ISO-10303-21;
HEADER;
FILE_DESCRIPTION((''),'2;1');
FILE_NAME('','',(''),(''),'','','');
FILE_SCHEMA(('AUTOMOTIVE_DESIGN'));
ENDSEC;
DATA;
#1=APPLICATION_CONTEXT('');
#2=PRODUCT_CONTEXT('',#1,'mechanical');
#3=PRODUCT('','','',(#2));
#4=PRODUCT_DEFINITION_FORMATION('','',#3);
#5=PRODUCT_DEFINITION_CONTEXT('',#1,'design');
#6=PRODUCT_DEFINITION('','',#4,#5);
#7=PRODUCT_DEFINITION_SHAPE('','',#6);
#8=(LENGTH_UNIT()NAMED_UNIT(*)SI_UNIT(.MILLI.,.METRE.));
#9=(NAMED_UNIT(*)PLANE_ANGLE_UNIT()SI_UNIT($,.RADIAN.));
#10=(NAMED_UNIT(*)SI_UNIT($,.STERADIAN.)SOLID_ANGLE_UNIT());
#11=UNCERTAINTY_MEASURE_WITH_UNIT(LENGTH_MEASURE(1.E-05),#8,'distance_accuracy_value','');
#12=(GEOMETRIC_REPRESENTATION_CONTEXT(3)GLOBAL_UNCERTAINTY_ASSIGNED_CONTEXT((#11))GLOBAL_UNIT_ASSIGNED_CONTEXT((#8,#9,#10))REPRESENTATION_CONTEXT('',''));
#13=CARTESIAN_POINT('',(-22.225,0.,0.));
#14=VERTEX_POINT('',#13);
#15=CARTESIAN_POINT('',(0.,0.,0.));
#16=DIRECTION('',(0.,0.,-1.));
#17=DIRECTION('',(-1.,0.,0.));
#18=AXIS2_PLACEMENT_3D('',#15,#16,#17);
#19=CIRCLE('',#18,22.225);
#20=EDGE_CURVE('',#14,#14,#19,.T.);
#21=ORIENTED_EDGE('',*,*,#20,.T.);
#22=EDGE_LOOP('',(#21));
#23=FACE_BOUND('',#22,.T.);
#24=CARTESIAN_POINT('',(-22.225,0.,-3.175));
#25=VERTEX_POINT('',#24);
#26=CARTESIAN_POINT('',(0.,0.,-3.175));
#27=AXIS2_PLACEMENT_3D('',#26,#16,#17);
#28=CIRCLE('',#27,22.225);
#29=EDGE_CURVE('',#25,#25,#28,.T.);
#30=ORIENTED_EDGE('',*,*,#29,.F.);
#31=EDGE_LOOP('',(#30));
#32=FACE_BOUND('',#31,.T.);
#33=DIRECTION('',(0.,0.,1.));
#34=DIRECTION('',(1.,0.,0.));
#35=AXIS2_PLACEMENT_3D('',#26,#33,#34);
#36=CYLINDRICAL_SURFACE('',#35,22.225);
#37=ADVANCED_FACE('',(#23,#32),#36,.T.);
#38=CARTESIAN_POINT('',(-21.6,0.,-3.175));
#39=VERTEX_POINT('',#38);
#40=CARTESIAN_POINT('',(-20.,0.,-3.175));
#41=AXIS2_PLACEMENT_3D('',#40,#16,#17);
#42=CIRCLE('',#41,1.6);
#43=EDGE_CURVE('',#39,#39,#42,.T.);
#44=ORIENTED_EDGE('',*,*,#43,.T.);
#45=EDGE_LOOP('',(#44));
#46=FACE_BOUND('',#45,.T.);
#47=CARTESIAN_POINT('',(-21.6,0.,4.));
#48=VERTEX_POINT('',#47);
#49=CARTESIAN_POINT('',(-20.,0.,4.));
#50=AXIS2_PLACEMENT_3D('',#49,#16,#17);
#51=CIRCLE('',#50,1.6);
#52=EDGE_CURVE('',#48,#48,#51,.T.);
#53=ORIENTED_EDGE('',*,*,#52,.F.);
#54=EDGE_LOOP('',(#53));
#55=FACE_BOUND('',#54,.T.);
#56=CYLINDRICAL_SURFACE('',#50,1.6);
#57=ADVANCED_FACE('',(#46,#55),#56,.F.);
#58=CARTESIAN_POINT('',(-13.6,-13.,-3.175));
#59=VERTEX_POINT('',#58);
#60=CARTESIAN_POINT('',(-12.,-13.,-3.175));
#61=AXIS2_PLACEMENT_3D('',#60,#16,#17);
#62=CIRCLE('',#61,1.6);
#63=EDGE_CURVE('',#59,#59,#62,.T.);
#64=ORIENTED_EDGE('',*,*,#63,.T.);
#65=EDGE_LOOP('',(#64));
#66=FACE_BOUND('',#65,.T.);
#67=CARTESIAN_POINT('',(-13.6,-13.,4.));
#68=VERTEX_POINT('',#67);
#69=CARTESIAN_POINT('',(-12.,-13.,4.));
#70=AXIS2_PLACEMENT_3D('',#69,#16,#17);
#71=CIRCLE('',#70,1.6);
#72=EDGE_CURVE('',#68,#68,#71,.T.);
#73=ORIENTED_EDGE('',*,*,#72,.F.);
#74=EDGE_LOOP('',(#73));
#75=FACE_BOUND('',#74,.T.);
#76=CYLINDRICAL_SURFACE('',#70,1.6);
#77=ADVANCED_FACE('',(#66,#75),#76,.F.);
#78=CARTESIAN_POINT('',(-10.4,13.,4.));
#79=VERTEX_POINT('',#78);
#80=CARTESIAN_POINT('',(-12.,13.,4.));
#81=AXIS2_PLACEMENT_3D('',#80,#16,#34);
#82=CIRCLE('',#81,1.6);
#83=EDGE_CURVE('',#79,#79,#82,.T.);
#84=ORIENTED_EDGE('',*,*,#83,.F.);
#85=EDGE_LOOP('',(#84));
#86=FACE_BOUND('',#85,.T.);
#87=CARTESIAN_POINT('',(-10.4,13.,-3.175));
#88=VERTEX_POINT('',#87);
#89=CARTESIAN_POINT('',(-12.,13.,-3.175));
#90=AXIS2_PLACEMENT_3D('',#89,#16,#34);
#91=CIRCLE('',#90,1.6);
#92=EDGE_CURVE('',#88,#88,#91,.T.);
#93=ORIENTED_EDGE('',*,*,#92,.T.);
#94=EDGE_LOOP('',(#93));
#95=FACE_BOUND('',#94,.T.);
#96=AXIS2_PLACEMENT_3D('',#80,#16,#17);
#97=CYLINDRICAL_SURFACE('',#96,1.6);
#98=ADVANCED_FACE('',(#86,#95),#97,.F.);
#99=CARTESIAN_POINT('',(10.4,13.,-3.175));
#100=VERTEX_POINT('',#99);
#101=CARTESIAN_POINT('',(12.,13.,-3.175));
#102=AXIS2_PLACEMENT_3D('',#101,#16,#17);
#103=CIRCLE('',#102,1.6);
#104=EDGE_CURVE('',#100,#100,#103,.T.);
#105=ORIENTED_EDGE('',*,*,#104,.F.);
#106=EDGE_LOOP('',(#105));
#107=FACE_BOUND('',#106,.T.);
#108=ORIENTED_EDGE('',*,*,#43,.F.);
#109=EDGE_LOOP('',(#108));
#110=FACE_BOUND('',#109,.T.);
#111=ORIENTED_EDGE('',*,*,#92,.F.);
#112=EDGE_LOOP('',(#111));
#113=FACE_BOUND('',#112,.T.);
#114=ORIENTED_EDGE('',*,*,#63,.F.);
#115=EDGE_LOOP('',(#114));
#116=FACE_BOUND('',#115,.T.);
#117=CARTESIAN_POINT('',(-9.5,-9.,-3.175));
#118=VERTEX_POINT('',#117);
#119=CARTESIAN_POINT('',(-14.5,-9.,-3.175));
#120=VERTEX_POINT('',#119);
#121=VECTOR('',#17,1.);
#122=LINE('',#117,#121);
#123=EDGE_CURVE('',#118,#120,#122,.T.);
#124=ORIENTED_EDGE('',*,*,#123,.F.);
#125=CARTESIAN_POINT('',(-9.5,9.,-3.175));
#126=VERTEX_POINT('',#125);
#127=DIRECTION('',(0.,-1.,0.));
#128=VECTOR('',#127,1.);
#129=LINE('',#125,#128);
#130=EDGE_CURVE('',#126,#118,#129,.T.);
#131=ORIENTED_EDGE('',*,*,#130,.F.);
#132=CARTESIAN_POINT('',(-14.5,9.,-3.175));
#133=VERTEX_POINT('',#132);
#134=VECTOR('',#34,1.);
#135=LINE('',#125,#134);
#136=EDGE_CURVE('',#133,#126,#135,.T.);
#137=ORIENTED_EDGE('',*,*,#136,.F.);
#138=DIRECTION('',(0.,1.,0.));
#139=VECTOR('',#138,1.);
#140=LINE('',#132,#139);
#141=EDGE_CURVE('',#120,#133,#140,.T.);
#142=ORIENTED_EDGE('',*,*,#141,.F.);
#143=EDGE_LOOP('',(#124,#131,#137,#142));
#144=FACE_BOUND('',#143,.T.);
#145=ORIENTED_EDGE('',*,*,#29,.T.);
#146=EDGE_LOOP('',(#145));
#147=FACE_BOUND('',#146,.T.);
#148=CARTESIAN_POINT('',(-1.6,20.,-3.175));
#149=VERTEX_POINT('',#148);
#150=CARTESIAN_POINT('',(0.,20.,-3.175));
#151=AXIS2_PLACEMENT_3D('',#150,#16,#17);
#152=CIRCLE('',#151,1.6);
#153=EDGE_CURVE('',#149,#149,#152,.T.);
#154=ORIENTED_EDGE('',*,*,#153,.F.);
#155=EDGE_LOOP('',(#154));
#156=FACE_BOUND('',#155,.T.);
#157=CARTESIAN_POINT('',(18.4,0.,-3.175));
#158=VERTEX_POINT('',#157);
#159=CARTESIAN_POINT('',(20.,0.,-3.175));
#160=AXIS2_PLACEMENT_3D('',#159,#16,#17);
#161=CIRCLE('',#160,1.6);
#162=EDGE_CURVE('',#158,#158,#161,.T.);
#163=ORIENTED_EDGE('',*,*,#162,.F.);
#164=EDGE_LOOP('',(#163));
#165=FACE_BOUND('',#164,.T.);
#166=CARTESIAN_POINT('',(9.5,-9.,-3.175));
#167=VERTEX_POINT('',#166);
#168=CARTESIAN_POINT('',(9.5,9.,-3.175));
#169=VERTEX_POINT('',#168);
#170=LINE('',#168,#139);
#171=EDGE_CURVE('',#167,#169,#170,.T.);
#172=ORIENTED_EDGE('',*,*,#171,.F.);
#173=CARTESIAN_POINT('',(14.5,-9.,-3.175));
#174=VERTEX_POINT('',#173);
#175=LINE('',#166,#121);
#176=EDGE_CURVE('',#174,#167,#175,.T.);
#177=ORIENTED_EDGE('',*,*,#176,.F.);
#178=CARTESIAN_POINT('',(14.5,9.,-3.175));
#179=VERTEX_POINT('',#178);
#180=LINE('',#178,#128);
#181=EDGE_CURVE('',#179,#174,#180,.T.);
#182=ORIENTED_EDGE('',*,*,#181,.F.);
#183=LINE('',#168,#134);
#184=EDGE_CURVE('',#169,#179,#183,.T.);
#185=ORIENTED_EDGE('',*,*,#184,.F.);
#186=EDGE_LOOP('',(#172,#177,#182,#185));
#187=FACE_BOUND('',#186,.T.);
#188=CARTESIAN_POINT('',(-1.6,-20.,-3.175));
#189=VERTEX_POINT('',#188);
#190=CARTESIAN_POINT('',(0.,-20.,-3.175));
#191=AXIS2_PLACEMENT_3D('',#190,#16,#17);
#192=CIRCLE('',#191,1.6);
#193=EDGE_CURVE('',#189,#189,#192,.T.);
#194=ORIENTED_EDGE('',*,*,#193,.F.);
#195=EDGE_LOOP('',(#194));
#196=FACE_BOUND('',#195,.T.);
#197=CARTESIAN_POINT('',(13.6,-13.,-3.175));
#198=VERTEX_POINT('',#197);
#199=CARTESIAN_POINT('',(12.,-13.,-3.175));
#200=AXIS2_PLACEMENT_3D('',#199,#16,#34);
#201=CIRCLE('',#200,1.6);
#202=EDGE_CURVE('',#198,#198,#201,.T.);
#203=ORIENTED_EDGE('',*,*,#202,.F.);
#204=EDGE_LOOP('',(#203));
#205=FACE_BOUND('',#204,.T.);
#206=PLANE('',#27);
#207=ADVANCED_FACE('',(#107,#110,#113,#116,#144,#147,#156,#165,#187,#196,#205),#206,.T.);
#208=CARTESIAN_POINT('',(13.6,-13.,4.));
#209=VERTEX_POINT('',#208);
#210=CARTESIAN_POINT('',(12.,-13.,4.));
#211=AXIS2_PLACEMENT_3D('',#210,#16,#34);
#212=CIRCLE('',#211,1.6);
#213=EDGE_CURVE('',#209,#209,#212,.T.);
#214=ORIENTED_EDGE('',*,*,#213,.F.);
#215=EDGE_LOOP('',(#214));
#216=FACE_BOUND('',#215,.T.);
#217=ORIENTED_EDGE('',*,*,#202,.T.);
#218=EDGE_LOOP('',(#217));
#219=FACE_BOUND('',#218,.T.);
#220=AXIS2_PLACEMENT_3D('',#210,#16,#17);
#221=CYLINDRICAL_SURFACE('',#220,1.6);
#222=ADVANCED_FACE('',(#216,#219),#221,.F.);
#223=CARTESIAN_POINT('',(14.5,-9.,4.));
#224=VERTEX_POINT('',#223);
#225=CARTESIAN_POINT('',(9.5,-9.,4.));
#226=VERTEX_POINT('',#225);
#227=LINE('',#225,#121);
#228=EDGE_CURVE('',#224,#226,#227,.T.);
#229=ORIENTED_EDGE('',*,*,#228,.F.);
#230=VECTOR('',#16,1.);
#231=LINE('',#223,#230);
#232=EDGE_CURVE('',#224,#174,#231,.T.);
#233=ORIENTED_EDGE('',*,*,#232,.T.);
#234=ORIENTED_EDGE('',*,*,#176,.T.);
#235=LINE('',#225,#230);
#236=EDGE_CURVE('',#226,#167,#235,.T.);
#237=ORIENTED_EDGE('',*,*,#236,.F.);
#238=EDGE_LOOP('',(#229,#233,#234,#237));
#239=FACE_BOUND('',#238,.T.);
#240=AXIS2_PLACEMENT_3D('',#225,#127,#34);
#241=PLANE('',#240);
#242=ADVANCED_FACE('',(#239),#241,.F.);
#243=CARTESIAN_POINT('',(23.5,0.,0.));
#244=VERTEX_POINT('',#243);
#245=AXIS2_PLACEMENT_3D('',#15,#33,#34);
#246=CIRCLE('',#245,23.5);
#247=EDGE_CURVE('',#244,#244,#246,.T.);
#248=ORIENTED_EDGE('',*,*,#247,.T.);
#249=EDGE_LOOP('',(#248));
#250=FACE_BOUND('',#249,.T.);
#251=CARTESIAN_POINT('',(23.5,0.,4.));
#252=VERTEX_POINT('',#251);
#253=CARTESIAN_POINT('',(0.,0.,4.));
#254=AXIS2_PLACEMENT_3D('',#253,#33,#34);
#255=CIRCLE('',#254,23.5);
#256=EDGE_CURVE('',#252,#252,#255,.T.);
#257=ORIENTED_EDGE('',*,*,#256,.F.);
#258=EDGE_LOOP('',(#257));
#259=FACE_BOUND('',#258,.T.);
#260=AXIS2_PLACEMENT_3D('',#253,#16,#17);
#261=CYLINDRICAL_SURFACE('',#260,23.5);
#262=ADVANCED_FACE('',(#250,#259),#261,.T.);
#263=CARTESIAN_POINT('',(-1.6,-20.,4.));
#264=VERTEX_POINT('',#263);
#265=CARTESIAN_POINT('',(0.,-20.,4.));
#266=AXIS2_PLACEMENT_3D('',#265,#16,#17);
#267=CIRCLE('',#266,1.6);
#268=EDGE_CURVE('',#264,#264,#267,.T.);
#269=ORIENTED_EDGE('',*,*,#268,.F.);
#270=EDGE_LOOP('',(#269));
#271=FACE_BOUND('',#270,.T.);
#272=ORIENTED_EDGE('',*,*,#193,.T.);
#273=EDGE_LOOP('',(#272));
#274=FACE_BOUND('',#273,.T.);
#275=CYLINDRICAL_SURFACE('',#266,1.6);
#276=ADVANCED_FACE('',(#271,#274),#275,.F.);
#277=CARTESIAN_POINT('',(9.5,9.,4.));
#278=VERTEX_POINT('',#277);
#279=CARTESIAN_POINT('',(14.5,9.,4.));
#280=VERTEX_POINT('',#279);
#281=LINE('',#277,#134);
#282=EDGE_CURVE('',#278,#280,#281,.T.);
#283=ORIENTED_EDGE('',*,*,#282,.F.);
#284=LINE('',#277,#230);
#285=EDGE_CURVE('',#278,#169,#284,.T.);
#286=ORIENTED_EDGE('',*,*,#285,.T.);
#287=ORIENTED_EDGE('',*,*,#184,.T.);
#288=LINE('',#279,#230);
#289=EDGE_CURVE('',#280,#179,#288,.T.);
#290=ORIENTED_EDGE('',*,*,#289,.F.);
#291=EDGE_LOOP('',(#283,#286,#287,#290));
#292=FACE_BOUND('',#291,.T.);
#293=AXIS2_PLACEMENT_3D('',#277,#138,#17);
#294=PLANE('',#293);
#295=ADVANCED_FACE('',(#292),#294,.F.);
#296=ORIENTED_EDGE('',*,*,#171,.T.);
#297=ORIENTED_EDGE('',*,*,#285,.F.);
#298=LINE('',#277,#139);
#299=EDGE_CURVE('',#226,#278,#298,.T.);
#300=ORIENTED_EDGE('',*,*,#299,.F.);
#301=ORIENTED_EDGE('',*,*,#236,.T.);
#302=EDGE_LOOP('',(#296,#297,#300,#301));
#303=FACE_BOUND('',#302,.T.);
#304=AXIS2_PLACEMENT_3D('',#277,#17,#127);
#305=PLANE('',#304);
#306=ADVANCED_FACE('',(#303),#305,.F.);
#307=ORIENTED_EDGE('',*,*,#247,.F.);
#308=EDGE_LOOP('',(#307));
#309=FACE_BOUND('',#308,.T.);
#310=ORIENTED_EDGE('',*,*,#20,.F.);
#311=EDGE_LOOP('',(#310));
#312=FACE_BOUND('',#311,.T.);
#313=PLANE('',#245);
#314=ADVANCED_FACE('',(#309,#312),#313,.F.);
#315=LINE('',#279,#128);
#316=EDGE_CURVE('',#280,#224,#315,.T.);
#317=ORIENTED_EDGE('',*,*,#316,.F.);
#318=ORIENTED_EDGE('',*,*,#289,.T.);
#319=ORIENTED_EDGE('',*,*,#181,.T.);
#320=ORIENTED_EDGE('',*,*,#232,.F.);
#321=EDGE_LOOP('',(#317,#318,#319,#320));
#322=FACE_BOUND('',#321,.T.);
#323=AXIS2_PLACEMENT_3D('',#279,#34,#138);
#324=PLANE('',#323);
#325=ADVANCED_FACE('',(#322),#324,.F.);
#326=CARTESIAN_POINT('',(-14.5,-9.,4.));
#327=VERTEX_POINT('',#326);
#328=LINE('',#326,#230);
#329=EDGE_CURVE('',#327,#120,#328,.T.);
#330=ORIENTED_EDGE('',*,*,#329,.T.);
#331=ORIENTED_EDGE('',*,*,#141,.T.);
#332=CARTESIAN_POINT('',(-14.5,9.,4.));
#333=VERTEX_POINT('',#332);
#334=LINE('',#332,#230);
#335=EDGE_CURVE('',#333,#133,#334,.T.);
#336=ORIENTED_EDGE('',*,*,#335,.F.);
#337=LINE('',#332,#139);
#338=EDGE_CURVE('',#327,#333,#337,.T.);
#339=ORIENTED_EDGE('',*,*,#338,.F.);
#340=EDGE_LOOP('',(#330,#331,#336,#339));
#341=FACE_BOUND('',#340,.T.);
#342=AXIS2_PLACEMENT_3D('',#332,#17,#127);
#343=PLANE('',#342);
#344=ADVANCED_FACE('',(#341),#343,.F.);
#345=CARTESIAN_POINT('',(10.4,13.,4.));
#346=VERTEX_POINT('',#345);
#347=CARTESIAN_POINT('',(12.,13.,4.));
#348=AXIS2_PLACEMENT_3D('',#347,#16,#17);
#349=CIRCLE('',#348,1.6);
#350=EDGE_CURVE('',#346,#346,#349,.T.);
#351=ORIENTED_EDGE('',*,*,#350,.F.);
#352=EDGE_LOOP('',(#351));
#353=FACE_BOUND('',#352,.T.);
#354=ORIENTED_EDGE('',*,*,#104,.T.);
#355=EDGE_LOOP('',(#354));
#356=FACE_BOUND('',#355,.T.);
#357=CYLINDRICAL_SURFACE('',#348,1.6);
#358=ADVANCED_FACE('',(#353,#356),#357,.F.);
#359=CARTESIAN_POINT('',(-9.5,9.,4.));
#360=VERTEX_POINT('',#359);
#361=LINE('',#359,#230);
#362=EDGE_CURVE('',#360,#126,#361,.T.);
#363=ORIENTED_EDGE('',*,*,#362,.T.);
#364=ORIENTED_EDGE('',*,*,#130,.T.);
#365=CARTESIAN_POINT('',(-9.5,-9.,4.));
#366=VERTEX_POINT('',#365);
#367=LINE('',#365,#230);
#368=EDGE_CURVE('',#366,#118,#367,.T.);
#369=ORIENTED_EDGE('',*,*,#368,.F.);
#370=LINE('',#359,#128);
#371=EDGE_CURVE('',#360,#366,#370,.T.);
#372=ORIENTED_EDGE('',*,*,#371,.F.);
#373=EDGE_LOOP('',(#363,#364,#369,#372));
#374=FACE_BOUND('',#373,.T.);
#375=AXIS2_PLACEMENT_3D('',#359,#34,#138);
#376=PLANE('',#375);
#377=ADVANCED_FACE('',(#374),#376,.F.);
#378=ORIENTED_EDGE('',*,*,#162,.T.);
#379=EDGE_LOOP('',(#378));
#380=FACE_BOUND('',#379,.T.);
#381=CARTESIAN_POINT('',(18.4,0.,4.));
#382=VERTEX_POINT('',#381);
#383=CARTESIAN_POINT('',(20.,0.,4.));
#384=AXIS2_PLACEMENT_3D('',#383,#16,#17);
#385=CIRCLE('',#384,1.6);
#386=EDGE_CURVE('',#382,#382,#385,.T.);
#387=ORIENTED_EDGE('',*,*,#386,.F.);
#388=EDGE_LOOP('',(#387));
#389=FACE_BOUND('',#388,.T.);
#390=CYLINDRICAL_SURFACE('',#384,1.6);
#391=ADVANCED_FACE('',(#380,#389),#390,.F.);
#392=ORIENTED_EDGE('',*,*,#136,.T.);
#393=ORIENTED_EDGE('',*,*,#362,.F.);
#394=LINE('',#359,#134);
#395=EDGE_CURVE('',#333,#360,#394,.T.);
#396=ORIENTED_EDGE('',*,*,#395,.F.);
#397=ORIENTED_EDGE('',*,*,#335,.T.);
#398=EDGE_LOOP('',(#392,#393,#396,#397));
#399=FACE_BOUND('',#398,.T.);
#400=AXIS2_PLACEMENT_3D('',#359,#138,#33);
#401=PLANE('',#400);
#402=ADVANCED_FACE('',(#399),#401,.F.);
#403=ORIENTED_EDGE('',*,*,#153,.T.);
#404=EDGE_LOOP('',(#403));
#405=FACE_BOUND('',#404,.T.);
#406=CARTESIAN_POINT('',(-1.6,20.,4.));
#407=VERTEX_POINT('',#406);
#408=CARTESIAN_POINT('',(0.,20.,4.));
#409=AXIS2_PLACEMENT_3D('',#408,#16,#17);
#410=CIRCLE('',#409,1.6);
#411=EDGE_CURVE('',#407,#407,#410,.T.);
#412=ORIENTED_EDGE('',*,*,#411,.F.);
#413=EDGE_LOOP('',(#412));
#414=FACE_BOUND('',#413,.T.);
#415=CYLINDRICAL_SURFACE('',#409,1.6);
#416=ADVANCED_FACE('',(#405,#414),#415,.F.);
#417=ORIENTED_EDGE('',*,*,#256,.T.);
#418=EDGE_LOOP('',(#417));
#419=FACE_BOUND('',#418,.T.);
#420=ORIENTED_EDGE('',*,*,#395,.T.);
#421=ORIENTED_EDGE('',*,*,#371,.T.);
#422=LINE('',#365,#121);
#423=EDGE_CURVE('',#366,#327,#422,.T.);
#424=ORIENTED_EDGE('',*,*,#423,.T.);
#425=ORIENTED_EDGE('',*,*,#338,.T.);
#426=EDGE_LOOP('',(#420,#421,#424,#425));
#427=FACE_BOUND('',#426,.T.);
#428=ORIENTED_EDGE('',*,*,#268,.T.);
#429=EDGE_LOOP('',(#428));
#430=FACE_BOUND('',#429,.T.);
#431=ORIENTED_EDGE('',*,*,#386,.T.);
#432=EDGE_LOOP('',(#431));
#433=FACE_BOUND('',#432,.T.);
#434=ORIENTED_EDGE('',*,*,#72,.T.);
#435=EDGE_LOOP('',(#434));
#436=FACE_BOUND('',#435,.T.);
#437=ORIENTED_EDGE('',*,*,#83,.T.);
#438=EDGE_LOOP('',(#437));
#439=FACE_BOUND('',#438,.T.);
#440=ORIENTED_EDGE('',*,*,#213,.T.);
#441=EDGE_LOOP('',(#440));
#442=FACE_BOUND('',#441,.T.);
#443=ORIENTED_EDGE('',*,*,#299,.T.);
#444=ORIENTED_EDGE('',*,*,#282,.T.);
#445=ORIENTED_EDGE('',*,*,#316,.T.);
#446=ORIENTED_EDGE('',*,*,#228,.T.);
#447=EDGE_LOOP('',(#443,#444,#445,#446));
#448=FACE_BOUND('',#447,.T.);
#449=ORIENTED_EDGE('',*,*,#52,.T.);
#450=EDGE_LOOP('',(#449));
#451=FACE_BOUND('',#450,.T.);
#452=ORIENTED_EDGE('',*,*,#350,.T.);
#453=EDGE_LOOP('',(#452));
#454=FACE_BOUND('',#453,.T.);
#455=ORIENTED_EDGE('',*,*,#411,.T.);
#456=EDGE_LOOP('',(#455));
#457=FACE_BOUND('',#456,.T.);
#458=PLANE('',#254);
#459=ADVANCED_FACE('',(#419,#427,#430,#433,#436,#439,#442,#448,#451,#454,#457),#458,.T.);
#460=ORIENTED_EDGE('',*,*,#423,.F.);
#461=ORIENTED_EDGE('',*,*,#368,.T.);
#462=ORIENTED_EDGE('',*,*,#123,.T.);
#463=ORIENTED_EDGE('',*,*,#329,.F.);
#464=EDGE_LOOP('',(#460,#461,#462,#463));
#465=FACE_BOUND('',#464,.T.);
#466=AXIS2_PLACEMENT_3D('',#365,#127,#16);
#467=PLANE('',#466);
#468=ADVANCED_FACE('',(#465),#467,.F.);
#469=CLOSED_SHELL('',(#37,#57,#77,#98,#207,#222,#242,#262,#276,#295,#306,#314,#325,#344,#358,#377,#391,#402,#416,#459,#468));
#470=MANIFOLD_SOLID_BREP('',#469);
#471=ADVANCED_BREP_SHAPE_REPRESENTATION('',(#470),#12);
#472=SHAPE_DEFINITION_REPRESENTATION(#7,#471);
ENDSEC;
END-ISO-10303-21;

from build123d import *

# Parameters (mm, degrees)
SKETCH_1_R          = 23.5
EXTRUDE_1_DEPTH     = 4
SKETCH_2_R          = 22.225
EXTRUDE_2_DEPTH     = 3.175
SKETCH_3_R          = 1.6
CUT_EXTRUDE_1_DEPTH = 34.999715072
SKETCH_4_W          = 5
SKETCH_4_H          = 18
CUT_EXTRUDE_2_DEPTH = 34.999715072
SKETCH_5_R          = 1.6
CUT_EXTRUDE_3_DEPTH = 34.999715072


with BuildPart() as part:
    # ｽｹｯﾁ1 → ﾎﾞｽ - 押し出し1 (new body)
    with BuildSketch(Plane.XY):
        Circle(SKETCH_1_R)
    extrude(amount=EXTRUDE_1_DEPTH)

    # ｽｹｯﾁ2 → ﾎﾞｽ - 押し出し2 (add)
    with BuildSketch(Plane(origin=(0, 0, 0), x_dir=(-1, 0, 0), z_dir=(0, 0, -1))):
        Circle(SKETCH_2_R)
    extrude(amount=EXTRUDE_2_DEPTH)

    # ｽｹｯﾁ3 → ｶｯﾄ - 押し出し1 (cut, through all)
    with BuildSketch(Plane(origin=(0, 0, -3.175), x_dir=(-1, 0, 0), z_dir=(0, 0, -1))):
        with Locations((0, 20)):
            Circle(SKETCH_3_R)
        with Locations((20, 0)):
            Circle(SKETCH_3_R)
        with Locations((0, -20)):
            Circle(SKETCH_3_R)
        with Locations((-20, 0)):
            Circle(SKETCH_3_R)
    extrude(amount=-CUT_EXTRUDE_1_DEPTH, mode=Mode.SUBTRACT)

    # ｽｹｯﾁ4 → ｶｯﾄ - 押し出し2 (cut, through all)
    with BuildSketch(Plane(origin=(0, 0, -3.175), x_dir=(-1, 0, 0), z_dir=(0, 0, -1))):
        with Locations((12, 0)):
            Rectangle(SKETCH_4_W, SKETCH_4_H)
        with Locations((-12, 0)):
            Rectangle(SKETCH_4_W, SKETCH_4_H)
    extrude(amount=-CUT_EXTRUDE_2_DEPTH, mode=Mode.SUBTRACT)

    # ｽｹｯﾁ5 → ｶｯﾄ - 押し出し3 (cut, through all)
    with BuildSketch(Plane(origin=(0, 0, -3.175), x_dir=(-1, 0, 0), z_dir=(0, 0, -1))):
        with Locations((-12, 13)):
            Circle(SKETCH_5_R)
        with Locations(Location((-12, -13, 0), (0, 0, 180))):
            Circle(SKETCH_5_R)
        with Locations((12, -13)):
            Circle(SKETCH_5_R)
        with Locations(Location((12, 13, 0), (0, 0, 180))):
            Circle(SKETCH_5_R)
    extrude(amount=-CUT_EXTRUDE_3_DEPTH, mode=Mode.SUBTRACT)


solid = part.part
